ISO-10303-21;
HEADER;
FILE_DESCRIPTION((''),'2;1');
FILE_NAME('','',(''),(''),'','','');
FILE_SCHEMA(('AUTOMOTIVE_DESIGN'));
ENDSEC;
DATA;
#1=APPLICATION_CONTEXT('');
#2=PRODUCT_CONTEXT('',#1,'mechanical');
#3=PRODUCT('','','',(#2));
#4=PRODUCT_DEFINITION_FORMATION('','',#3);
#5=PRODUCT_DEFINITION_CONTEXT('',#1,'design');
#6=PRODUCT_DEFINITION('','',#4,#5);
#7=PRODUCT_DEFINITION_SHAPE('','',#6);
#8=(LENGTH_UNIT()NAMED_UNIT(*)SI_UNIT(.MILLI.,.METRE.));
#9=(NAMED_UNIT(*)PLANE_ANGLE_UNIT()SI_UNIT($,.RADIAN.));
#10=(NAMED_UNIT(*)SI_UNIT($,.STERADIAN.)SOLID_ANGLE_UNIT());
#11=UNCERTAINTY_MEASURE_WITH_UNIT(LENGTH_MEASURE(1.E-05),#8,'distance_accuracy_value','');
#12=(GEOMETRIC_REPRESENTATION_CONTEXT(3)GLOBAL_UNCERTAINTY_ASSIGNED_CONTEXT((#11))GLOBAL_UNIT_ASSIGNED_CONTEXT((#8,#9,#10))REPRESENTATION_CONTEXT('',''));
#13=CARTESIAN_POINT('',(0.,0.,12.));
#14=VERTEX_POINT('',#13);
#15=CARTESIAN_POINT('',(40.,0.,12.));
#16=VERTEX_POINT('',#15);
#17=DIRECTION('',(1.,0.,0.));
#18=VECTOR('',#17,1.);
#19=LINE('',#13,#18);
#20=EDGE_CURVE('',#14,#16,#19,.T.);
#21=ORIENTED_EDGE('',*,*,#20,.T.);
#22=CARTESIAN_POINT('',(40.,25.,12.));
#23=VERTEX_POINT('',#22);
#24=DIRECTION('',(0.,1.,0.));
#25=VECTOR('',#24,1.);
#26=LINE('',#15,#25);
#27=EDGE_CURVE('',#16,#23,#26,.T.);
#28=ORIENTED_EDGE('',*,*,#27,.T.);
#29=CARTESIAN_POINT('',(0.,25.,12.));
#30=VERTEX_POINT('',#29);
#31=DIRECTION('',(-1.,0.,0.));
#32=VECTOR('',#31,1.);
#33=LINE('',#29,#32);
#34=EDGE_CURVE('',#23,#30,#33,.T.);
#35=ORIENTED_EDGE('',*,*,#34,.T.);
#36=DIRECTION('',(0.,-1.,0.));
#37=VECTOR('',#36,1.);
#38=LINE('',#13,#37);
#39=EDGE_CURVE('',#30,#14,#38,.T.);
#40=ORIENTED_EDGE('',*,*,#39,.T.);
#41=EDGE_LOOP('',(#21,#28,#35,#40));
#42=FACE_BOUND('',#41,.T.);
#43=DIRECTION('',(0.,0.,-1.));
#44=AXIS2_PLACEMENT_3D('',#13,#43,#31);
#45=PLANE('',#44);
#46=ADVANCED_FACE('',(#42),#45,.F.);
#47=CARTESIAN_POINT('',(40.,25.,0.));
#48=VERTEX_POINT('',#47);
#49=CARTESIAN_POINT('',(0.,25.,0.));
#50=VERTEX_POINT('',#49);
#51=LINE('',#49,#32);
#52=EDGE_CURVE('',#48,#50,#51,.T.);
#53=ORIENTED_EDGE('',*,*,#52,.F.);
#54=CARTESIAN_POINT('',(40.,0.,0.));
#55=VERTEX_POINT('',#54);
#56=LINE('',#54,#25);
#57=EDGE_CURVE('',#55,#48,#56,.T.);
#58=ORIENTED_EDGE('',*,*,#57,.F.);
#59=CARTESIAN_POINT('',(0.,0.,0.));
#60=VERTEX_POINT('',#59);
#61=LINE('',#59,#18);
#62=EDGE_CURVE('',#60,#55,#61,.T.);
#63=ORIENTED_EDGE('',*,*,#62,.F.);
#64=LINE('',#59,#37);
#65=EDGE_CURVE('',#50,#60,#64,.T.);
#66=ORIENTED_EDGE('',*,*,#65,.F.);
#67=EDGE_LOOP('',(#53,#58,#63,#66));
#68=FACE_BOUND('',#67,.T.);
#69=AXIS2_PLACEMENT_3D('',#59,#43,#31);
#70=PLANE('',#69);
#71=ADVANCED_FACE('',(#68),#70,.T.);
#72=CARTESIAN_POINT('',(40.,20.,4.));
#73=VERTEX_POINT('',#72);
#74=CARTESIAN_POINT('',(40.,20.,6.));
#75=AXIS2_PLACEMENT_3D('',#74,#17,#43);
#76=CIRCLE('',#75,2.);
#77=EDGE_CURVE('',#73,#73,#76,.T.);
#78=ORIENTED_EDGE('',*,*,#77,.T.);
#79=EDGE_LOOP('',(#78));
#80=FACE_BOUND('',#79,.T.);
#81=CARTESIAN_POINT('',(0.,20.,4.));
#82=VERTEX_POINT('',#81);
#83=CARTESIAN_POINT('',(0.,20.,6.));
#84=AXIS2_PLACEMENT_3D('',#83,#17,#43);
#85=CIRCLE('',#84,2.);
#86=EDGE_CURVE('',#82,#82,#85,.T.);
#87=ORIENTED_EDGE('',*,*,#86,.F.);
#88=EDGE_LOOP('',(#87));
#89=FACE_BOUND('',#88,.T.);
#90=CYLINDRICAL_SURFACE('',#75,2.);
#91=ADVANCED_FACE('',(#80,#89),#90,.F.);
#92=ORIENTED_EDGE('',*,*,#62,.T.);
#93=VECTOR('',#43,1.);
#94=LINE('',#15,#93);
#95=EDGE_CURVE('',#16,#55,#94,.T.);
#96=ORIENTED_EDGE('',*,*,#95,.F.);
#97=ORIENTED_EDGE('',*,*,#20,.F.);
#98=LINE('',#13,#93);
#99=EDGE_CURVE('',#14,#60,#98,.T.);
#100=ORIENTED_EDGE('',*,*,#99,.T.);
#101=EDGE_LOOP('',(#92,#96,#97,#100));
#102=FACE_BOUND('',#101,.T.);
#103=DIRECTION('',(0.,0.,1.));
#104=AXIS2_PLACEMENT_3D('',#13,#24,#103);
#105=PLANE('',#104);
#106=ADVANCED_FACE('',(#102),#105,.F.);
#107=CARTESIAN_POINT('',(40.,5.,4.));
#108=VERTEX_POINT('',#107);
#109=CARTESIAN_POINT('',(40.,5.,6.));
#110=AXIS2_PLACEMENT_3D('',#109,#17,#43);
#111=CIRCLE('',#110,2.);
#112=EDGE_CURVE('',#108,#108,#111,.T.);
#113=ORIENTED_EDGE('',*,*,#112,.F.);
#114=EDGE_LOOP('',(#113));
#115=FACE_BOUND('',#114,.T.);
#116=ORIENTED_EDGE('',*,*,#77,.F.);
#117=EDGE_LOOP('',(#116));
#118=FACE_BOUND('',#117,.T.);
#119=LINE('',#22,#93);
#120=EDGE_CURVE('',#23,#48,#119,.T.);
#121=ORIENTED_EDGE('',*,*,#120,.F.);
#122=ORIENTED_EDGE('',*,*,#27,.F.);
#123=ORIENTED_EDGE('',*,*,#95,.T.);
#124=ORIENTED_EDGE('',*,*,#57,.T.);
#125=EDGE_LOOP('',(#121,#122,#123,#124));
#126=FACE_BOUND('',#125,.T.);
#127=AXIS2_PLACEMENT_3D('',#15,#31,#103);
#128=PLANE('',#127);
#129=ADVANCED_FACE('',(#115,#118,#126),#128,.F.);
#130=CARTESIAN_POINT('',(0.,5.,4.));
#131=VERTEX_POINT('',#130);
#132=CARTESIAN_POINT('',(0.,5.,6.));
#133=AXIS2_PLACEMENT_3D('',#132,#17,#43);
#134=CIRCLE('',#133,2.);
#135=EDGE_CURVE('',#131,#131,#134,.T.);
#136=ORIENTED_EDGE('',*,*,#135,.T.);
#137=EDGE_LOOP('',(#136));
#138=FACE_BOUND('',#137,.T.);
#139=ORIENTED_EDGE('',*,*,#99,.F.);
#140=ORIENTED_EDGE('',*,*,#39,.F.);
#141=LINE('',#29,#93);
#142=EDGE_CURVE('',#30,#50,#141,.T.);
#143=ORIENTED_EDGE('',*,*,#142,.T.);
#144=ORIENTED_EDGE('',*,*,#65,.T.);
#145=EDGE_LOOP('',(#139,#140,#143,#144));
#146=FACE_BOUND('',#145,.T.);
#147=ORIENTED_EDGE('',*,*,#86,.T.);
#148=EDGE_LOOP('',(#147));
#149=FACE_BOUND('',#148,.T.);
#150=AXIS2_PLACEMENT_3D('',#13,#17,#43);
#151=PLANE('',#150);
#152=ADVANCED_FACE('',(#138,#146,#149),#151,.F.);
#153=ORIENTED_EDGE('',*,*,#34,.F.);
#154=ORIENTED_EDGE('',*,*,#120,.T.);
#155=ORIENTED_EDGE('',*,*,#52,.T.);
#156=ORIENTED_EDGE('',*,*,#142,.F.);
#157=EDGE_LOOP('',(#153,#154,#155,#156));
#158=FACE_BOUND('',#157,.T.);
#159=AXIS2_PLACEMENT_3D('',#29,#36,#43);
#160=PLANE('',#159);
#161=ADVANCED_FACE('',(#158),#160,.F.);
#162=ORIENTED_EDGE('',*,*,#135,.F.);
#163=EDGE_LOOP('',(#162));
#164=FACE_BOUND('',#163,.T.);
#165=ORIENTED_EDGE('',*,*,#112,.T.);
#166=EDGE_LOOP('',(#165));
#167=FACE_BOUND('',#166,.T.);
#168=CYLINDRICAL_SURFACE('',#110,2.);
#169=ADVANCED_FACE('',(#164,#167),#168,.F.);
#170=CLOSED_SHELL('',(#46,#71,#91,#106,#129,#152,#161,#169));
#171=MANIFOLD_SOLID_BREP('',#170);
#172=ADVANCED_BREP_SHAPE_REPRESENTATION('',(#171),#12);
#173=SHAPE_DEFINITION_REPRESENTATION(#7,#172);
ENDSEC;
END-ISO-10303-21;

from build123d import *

# Parameters (mm, degrees)
ESQUISSE1_W                       = 40
ESQUISSE1_H                       = 25
BOSS_EXTRU_1_DEPTH                = 12
DIAM_TRE_DU_PER_AGE_4_0_4_1_D     = 4
DIAM_TRE_DU_PER_AGE_4_0_4_1_DEPTH = 40


with BuildPart() as part:
    # Esquisse1 → Boss.-Extru.1 (new body)
    with BuildSketch(Plane.XY):
        with Locations((20, 12.5)):
            Rectangle(ESQUISSE1_W, ESQUISSE1_H)
    extrude(amount=BOSS_EXTRU_1_DEPTH)

    # Diamètre du perçage Ø4.0 (4)1
    with Locations(Plane(origin=(40, 0, 0), x_dir=(0, 0, -1), z_dir=(1, 0, 0))):
        with Locations((-6, 20), (-6, 5)):
            Hole(DIAM_TRE_DU_PER_AGE_4_0_4_1_D / 2, depth=DIAM_TRE_DU_PER_AGE_4_0_4_1_DEPTH)


solid = part.part
